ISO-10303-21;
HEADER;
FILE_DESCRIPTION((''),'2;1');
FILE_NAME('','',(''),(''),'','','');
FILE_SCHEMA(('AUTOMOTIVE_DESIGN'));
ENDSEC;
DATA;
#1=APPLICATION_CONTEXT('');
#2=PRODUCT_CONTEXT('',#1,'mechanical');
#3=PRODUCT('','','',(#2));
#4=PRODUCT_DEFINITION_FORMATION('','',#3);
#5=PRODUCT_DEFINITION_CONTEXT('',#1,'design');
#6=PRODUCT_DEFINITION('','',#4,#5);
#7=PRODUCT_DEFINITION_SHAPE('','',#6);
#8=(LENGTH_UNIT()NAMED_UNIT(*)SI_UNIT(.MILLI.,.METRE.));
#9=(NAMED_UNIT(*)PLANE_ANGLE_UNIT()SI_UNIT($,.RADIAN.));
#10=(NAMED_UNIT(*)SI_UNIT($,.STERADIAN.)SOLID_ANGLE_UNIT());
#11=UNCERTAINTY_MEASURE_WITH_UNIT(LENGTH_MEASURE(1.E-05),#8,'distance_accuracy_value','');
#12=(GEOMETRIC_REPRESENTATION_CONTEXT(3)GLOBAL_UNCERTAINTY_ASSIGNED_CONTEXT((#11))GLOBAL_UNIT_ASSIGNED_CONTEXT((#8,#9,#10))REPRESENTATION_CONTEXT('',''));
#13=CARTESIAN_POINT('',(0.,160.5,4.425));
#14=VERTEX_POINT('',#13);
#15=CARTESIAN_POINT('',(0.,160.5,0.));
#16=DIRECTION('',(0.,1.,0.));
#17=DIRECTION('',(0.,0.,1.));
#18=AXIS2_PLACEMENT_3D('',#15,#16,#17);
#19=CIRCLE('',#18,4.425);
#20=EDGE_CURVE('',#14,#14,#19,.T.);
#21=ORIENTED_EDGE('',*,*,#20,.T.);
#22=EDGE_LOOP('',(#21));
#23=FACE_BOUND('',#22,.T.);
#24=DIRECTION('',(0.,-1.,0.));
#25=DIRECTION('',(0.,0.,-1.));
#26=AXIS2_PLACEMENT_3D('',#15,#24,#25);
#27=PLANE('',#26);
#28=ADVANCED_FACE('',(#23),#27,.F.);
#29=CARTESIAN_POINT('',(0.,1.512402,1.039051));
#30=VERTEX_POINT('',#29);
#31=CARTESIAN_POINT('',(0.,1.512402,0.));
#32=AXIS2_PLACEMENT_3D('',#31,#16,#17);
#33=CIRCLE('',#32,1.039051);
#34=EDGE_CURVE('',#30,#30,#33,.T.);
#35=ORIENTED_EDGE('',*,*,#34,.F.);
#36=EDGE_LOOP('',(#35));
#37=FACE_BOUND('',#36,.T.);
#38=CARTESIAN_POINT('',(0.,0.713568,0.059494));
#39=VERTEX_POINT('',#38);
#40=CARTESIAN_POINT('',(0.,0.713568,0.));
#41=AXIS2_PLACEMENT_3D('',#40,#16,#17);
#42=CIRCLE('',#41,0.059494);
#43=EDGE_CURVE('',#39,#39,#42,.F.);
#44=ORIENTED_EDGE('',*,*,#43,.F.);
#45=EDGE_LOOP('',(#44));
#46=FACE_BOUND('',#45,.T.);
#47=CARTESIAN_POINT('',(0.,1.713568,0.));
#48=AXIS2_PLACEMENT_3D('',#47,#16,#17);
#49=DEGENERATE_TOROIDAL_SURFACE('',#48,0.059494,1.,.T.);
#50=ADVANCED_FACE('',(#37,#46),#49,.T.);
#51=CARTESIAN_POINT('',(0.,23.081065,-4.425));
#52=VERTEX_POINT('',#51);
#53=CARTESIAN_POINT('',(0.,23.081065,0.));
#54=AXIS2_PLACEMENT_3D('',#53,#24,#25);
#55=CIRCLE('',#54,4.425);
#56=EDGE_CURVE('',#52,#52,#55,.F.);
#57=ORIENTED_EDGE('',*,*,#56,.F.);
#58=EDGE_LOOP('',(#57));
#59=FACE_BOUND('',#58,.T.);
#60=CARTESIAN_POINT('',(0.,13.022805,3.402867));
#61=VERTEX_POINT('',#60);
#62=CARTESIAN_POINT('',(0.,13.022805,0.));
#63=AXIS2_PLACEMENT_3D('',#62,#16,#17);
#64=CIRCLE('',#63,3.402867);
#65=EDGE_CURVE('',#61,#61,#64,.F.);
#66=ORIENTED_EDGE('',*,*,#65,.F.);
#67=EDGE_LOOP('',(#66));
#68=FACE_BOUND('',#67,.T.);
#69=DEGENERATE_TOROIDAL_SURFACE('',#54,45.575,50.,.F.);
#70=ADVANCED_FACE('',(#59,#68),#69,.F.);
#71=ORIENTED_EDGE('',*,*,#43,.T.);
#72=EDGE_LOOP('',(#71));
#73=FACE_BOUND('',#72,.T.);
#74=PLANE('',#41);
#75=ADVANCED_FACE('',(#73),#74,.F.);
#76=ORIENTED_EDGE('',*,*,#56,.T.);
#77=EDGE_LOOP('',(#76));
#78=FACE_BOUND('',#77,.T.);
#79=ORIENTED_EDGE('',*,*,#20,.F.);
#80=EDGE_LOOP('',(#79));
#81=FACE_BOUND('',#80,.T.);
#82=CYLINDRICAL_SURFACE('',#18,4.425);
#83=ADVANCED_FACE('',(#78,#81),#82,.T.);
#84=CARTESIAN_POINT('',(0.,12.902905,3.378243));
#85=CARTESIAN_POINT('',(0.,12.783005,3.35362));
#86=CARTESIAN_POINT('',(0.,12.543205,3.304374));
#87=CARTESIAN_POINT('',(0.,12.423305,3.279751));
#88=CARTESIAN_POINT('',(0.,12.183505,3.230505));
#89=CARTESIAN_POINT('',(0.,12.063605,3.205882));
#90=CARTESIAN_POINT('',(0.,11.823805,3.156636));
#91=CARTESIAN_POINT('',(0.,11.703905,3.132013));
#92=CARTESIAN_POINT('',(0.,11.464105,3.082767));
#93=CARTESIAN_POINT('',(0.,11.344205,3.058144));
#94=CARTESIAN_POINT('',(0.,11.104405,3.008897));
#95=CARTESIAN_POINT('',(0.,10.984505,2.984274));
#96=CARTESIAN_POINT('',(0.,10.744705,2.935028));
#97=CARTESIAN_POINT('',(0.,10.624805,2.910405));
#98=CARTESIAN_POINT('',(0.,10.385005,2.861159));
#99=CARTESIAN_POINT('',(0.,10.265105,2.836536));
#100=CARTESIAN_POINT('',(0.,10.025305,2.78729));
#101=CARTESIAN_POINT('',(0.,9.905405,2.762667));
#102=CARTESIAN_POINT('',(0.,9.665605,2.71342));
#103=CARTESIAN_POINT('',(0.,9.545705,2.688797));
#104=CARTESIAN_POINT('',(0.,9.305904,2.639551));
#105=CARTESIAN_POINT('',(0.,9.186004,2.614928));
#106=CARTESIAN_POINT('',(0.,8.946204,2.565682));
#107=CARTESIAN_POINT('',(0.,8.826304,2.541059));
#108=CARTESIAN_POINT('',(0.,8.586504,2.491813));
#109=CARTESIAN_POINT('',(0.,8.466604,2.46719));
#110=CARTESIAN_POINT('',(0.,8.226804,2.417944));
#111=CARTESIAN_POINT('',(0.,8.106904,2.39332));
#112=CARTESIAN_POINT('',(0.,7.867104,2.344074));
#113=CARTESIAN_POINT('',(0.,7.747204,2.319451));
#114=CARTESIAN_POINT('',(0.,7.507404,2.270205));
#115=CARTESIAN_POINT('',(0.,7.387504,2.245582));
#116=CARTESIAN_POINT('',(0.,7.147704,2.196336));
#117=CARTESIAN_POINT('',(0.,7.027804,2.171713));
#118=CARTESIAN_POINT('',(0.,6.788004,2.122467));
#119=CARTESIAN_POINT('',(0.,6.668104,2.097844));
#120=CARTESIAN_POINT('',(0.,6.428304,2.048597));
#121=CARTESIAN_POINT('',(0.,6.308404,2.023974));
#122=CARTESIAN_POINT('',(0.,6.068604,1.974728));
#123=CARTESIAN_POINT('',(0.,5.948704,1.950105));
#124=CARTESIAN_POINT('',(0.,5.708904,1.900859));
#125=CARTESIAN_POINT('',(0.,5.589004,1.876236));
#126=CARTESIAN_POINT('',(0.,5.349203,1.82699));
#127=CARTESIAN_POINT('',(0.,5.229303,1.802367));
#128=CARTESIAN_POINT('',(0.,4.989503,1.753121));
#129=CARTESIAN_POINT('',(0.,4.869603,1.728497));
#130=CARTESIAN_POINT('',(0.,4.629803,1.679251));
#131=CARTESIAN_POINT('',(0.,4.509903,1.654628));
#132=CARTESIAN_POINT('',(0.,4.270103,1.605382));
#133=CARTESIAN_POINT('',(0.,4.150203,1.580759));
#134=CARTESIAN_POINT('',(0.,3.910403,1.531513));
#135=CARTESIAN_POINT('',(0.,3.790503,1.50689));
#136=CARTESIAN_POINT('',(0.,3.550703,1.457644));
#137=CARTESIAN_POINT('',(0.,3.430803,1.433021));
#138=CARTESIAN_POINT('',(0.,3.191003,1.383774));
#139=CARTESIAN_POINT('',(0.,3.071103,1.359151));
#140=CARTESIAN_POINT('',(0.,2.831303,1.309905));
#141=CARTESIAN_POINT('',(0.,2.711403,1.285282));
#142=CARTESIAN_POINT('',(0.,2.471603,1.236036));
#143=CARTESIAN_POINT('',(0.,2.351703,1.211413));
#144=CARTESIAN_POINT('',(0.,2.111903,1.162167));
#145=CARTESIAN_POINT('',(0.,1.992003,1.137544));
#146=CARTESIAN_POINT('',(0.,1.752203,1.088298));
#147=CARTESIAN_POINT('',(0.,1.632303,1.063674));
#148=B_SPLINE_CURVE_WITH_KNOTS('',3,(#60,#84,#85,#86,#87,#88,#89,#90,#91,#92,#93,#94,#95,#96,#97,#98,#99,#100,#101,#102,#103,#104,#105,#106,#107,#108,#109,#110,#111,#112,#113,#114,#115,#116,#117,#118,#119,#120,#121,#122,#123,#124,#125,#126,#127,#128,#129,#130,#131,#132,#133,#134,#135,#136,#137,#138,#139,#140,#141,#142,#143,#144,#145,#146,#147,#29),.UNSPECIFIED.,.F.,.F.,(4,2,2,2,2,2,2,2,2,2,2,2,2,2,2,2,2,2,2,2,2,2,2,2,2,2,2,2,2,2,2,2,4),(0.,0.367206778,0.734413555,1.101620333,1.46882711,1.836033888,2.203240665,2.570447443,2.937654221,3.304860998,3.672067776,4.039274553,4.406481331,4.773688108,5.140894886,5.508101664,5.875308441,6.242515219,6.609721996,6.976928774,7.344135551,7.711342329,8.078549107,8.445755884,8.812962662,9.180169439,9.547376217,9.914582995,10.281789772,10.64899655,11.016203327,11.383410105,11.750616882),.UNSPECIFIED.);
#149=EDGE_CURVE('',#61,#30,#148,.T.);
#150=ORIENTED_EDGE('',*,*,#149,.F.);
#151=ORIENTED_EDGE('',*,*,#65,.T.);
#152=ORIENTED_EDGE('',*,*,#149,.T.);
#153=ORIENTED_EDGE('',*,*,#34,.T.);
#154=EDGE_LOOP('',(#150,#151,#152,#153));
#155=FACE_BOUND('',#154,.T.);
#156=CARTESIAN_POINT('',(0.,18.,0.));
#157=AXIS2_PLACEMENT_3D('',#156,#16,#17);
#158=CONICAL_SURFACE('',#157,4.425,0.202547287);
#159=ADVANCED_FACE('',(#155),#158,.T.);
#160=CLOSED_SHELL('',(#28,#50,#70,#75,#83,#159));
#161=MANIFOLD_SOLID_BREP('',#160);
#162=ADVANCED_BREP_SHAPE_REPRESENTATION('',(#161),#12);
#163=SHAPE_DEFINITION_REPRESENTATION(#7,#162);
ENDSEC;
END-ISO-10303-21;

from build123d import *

# Parameters (mm, degrees)
FILLET1_R = 1
FILLET2_R = 50


with BuildPart() as part:
    # Sketch1 → Revolve1 (revolve)
    with BuildSketch(Plane.XY, mode=Mode.PRIVATE) as revolve1_sk:
        Polygon((0.875, 0.713567683), (4.425, 18), (4.425, 160.5), (0, 160.5), (0, 0.713567683), align=None)
    revolve(revolve1_sk.sketch.rotate(Axis((0, 160.5, 0), (0, -1, 0)), 90), axis=Axis((0, 160.5, 0), (0, -1, 0)))

    # Fillet1
    fillet1_edges = [part.edges().sort_by_distance(p)[0] for p in [
        (0, 0.713567683, -0.875),
    ]]
    fillet(fillet1_edges, radius=FILLET1_R)

    # Fillet2
    fillet2_edges = [part.edges().sort_by_distance(p)[0] for p in [
        (0, 18, -4.425),
    ]]
    fillet(fillet2_edges, radius=FILLET2_R)


solid = part.part
